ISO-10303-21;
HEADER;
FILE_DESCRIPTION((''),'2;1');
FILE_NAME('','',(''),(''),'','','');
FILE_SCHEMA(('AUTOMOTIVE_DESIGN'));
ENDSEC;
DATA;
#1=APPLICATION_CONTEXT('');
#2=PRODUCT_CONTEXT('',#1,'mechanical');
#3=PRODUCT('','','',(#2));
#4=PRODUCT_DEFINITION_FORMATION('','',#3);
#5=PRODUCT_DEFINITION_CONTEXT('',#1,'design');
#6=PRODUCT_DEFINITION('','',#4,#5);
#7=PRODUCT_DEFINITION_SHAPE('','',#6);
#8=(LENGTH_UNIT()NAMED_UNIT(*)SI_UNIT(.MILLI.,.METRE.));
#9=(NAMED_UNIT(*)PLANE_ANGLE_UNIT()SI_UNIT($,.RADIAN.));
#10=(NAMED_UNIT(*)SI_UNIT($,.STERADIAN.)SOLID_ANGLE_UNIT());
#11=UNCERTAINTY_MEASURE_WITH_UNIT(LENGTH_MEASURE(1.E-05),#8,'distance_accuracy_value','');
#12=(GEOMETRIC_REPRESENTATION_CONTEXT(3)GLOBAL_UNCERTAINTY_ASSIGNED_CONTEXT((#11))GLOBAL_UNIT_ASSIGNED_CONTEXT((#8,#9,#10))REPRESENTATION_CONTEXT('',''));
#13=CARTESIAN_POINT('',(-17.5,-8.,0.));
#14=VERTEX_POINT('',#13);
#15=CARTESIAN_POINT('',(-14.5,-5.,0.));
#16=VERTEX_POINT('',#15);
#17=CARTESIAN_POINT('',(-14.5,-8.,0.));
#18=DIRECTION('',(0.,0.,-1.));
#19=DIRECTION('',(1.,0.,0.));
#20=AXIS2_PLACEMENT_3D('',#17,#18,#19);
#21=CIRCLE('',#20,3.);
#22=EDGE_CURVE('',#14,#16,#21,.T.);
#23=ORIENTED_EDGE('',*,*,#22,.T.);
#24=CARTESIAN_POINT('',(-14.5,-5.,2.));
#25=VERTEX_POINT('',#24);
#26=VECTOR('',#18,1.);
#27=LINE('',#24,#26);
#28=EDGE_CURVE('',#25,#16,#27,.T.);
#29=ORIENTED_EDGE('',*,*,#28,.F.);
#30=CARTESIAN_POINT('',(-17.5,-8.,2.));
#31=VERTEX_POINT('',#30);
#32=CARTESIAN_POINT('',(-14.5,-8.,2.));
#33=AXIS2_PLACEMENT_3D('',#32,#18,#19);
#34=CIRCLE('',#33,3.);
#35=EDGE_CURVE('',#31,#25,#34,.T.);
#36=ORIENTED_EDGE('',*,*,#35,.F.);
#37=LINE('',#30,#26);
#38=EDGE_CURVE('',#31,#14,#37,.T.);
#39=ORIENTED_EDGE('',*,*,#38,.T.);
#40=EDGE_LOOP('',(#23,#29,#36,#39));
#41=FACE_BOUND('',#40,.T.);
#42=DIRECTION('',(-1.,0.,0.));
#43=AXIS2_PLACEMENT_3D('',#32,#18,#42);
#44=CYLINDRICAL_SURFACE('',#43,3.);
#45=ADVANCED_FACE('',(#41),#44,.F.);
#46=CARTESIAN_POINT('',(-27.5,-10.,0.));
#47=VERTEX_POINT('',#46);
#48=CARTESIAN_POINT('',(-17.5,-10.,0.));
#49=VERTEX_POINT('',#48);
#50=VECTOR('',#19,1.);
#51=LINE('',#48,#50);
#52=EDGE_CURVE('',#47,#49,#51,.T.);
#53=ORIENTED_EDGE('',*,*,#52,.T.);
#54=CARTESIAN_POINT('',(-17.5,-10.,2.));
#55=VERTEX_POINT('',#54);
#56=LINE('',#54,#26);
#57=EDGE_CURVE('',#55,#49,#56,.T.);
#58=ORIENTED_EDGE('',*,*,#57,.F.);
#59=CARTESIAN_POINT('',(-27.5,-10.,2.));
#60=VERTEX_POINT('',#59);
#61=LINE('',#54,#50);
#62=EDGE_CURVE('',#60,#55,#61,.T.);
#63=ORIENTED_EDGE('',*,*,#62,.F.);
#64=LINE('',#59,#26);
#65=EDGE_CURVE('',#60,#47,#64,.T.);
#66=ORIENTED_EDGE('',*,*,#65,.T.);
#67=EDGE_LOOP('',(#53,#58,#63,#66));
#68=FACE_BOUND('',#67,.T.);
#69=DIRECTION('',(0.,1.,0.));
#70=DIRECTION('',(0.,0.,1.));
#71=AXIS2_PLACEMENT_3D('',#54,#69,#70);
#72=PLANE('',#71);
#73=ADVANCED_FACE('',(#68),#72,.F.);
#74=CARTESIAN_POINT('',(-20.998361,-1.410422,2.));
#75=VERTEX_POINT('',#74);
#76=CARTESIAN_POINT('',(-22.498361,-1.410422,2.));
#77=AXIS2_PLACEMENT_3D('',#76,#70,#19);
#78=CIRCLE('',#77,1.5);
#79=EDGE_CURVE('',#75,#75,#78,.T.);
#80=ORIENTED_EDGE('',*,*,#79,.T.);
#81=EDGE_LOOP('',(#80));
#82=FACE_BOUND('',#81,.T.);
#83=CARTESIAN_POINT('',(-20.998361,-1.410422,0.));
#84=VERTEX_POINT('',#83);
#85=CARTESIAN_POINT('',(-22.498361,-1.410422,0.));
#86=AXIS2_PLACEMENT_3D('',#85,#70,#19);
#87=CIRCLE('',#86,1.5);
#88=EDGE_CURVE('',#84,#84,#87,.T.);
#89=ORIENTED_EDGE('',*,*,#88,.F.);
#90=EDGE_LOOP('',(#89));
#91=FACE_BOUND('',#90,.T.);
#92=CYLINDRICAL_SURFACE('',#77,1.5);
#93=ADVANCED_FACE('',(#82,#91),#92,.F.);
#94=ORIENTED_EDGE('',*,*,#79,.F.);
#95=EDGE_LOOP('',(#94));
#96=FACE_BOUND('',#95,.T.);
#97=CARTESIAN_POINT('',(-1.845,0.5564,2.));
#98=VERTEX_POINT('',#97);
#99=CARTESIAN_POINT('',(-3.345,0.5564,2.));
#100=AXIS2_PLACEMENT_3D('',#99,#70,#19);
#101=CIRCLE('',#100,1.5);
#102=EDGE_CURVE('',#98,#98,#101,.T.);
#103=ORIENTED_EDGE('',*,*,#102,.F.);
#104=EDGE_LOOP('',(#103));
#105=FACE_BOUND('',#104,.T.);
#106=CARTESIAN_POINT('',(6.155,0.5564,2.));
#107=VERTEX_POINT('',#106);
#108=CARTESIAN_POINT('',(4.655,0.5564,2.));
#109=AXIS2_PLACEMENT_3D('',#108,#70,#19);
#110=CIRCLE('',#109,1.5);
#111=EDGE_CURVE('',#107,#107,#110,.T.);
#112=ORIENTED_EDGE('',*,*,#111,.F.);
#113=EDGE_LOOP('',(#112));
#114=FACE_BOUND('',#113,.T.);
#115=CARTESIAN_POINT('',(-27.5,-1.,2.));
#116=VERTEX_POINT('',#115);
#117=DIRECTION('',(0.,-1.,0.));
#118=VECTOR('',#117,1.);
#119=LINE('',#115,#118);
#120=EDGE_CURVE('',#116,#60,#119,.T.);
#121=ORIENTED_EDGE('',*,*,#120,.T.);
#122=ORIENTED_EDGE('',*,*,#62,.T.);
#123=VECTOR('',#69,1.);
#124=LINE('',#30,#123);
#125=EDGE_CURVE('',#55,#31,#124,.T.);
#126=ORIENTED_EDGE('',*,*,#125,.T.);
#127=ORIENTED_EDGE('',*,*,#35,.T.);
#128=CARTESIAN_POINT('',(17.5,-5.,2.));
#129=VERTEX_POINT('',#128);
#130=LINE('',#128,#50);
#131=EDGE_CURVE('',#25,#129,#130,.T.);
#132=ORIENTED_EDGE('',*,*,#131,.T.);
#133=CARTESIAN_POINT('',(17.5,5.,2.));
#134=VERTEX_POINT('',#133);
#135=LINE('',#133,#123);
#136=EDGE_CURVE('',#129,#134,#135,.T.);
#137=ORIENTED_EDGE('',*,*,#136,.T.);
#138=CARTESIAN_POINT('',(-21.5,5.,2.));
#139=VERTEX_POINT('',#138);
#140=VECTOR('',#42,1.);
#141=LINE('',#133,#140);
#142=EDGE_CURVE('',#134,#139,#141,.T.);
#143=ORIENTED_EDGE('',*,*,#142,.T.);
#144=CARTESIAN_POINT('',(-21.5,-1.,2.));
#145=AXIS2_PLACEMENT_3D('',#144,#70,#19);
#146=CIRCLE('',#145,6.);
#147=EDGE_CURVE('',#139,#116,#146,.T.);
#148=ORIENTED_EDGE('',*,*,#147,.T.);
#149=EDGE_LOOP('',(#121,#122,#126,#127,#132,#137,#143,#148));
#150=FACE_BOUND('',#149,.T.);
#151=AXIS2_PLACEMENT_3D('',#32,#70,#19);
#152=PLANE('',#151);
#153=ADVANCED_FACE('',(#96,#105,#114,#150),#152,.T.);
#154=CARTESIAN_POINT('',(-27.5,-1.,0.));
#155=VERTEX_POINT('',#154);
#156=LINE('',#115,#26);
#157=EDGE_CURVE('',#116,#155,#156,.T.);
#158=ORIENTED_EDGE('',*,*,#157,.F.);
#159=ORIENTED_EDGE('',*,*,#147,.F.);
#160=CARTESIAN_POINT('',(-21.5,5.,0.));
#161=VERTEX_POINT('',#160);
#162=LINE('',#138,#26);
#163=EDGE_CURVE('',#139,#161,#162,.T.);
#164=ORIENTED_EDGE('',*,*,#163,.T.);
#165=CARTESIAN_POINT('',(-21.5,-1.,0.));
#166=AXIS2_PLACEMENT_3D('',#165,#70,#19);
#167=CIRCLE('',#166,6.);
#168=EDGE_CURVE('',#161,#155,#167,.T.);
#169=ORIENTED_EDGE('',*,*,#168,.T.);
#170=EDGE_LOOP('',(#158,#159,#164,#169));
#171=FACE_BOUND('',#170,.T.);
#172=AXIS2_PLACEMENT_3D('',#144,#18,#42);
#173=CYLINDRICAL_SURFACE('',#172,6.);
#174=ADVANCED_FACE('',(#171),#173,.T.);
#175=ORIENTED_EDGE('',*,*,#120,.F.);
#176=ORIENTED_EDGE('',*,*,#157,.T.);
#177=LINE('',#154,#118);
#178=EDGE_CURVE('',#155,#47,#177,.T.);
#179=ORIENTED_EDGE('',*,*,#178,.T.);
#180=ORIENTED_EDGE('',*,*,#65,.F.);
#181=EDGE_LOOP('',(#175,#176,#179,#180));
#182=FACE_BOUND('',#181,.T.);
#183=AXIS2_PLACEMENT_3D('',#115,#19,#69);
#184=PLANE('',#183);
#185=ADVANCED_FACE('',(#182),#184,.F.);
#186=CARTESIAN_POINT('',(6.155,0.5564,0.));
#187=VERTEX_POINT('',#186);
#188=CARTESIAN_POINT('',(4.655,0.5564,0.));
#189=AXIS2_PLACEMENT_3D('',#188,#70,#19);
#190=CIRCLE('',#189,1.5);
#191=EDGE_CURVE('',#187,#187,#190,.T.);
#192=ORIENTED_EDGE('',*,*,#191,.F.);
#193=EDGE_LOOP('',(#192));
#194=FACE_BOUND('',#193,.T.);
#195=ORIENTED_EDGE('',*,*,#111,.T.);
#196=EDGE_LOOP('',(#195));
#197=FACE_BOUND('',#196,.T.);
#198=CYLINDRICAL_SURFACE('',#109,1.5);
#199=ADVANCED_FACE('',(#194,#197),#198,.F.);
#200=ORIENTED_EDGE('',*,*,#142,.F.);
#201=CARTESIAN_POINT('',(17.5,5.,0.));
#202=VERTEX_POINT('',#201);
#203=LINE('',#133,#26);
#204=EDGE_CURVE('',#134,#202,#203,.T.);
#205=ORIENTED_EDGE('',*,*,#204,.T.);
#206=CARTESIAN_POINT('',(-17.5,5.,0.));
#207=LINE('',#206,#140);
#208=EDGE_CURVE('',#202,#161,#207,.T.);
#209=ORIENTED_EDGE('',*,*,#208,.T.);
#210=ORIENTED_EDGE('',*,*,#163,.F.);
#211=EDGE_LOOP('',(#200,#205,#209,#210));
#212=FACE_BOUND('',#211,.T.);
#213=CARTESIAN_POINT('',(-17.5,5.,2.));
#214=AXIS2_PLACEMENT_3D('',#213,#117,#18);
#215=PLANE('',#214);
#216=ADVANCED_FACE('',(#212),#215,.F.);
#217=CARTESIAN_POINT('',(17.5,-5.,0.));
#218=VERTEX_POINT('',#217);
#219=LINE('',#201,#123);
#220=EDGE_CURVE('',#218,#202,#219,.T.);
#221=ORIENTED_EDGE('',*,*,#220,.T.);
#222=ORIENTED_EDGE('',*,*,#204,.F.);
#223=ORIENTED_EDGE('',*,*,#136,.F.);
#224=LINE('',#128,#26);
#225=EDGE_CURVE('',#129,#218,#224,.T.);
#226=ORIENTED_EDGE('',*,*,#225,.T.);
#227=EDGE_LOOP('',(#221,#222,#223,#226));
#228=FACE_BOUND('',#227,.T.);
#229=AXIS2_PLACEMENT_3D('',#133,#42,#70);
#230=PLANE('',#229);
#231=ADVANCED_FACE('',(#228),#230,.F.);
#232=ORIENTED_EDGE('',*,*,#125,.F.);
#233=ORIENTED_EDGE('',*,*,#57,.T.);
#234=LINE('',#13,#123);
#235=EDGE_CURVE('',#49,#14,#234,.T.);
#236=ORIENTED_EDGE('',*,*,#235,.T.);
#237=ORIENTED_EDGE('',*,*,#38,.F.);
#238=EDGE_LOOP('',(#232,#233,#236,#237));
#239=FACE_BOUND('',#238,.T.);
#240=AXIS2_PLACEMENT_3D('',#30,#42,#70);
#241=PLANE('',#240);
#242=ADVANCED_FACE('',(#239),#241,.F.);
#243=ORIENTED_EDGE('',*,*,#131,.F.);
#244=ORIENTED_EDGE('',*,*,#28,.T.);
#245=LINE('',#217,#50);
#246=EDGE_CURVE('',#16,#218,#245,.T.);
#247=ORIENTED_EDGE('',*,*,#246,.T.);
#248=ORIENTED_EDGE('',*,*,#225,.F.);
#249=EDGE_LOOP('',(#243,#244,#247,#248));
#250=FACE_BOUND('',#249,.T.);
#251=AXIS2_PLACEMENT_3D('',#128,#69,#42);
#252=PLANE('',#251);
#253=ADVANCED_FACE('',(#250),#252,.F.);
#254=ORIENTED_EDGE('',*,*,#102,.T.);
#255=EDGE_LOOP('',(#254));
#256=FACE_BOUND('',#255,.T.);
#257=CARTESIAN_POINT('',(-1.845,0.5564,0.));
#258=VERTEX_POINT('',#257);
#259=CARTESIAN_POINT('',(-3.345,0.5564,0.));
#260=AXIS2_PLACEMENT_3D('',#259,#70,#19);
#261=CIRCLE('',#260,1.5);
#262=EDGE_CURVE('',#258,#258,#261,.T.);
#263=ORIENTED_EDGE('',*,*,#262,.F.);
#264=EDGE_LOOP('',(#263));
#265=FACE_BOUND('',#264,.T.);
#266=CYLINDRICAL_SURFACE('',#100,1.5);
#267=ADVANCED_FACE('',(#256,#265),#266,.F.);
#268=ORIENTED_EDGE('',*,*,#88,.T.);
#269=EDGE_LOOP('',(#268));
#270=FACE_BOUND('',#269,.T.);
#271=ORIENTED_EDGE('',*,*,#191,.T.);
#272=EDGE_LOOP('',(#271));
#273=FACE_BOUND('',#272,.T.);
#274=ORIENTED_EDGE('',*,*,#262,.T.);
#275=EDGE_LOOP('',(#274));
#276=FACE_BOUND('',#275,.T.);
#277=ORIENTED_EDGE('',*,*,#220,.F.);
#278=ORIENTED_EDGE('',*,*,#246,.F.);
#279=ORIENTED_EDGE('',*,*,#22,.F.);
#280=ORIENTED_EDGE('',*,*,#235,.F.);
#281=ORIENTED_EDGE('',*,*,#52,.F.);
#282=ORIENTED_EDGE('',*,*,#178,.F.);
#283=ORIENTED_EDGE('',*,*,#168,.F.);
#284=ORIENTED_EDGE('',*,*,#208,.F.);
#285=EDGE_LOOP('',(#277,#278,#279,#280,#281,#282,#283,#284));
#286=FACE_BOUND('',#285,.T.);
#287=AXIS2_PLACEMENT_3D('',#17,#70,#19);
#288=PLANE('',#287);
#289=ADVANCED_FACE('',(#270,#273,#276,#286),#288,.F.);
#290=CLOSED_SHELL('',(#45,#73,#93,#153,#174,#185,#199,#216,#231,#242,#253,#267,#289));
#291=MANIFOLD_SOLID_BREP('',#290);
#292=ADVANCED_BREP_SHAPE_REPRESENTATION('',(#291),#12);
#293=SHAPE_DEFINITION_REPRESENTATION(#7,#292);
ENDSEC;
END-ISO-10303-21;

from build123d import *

# Parameters (mm, degrees)
EXTRUDE_1_DEPTH = 2
HOLE_WIZARD_1_D = 3
HOLE_WIZARD_2_D = 3


with BuildPart() as part:
    # 草图1 → 凸台-拉伸1 (new body)
    with BuildSketch(Plane.XY):
        with BuildLine():
            Line((17.5, 5), (-17.5, 5))
            Line((-17.5, 5), (-21.5, 5))
            ThreePointArc((-21.5, 5), (-25.742640687, 3.242640687), (-27.5, -1))
            Line((-27.5, -1), (-27.5, -10))
            Line((-27.5, -10), (-17.5, -10))
            Line((-17.5, -10), (-17.5, -8))
            ThreePointArc((-17.5, -8), (-16.621320344, -5.878679656), (-14.5, -5))
            Line((-14.5, -5), (17.5, -5))
            Line((17.5, -5), (17.5, 5))
        make_face()
    extrude(amount=EXTRUDE_1_DEPTH)

    # 孔1 (through all)
    with Locations(Plane.XY.offset(2)):
        with Locations((-22.498361417, -1.410422078)):
            Hole(HOLE_WIZARD_1_D / 2)

    # 孔2 (through all)
    with Locations(Plane.XY.offset(2)):
        with Locations((4.655, 0.556399926), (-3.345, 0.556399926)):
            Hole(HOLE_WIZARD_2_D / 2)


solid = part.part
